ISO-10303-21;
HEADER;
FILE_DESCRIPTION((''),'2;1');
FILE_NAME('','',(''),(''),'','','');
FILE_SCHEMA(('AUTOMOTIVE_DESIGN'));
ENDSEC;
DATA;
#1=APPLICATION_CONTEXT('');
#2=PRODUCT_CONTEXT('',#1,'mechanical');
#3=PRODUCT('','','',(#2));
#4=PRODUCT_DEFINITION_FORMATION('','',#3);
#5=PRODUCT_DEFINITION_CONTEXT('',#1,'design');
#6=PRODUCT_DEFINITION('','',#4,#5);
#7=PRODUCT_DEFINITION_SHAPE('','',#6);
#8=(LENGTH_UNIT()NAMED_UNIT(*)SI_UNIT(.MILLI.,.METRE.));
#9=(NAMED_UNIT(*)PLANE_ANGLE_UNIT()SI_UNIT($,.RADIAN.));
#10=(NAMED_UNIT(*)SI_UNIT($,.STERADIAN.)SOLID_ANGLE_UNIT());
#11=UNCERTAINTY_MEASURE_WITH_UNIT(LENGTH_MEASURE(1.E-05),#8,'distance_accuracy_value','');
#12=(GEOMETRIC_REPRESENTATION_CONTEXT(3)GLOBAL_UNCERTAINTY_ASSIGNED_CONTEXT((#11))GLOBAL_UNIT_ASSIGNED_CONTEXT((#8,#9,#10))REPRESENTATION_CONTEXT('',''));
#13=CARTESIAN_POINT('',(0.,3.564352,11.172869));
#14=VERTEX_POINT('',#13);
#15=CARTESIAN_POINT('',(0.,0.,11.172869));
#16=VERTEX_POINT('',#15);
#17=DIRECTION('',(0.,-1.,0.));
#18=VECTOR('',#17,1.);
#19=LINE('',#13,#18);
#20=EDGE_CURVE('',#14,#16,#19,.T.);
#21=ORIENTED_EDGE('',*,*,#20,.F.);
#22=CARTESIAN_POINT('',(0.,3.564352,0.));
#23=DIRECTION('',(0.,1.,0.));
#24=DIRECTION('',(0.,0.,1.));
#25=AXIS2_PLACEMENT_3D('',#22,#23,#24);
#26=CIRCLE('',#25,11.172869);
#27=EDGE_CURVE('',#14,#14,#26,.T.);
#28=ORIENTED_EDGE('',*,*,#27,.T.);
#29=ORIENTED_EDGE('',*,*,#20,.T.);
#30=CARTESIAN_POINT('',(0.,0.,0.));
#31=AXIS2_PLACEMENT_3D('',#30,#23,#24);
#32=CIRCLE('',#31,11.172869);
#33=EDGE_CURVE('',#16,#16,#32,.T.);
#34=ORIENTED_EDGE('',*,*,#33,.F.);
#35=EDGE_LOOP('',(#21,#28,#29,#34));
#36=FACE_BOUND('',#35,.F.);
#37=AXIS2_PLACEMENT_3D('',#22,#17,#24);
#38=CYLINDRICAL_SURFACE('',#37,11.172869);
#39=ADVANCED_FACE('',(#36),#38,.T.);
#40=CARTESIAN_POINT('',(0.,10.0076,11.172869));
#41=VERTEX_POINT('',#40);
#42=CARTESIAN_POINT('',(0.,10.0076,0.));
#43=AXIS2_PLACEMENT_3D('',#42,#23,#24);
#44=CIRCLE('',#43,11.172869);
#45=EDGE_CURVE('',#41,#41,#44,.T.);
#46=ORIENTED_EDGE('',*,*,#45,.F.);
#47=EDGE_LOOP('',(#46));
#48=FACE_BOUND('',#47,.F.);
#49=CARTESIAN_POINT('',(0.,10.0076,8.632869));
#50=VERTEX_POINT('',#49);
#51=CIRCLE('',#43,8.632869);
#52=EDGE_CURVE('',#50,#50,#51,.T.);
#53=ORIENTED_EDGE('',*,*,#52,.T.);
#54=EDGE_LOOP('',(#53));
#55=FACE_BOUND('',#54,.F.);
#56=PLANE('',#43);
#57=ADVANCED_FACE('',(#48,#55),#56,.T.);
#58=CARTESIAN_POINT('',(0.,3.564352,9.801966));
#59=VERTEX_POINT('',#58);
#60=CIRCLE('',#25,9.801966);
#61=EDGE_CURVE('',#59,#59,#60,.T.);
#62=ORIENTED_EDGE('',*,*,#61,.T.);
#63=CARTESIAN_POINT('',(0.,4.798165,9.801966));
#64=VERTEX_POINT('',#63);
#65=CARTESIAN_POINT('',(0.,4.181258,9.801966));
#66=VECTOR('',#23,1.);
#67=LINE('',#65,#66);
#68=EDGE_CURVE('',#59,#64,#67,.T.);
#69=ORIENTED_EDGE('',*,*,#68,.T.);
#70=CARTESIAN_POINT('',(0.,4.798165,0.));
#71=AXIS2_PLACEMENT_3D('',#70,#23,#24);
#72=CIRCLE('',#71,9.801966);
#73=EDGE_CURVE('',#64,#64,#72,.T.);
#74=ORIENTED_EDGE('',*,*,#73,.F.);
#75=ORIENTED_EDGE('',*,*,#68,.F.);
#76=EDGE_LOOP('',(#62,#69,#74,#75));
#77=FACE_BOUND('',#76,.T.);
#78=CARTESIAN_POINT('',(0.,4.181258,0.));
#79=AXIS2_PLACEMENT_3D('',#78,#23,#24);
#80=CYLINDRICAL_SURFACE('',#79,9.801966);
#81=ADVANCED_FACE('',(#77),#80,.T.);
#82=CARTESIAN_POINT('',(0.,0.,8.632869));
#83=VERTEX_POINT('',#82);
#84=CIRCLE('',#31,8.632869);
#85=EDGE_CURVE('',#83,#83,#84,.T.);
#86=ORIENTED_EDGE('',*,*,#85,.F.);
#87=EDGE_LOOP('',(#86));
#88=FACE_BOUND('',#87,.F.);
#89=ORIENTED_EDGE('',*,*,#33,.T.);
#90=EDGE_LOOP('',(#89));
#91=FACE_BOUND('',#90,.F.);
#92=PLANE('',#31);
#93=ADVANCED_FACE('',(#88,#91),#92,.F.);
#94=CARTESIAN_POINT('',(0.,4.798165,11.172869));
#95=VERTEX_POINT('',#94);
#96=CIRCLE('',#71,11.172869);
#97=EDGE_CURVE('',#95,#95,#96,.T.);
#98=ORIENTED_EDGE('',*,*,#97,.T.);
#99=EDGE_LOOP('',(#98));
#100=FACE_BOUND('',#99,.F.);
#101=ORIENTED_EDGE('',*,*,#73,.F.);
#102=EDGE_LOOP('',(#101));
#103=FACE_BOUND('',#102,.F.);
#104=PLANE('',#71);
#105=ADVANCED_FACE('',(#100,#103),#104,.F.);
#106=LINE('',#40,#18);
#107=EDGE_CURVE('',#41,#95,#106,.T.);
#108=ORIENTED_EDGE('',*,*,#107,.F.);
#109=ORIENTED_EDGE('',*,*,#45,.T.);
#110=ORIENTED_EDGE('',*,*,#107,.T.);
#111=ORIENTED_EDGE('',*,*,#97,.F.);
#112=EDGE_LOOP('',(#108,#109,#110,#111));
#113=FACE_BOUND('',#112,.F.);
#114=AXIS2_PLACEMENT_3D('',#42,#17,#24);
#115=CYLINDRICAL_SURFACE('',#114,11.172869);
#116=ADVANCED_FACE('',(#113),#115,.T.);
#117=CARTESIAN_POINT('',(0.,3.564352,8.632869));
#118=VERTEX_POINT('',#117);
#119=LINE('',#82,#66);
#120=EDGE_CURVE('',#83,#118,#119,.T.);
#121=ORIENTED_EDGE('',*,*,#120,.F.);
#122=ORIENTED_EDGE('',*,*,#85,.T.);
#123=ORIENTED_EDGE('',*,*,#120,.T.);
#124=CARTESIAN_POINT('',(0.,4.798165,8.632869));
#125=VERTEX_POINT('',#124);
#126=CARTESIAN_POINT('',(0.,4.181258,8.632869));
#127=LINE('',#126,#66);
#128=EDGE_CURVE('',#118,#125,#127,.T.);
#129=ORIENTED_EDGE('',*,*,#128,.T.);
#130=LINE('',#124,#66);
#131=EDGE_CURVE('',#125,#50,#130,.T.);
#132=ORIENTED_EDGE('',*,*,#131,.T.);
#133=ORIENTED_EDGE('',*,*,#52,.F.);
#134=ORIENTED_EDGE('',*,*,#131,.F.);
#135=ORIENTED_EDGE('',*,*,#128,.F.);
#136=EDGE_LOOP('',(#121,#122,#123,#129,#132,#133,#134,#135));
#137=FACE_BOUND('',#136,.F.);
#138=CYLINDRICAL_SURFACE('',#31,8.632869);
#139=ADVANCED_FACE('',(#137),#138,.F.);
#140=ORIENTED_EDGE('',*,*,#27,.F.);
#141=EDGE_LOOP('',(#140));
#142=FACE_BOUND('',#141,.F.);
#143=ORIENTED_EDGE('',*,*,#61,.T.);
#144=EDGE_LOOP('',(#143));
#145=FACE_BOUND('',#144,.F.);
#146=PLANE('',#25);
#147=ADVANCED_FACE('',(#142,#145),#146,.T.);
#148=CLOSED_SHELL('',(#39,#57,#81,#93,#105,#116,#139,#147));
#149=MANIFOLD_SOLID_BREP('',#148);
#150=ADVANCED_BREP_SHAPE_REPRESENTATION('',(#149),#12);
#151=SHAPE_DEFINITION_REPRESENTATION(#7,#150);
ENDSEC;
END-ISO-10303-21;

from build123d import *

# Parameters (mm, degrees)
F0_W = 1.2338133566
F0_H = 1.1690965625


with BuildPart() as f1:
    # F0 (on Right) → F1 (revolve)
    with BuildSketch(Plane.YZ):
        Polygon((0, 11.1728689732), (0, 8.6328689732), (3.564351741, 8.6328689732), (3.564351741, 9.8019655357), (3.564351741, 11.1728689732), align=None)
        with Locations((4.1812584193, 9.2174172544)):
            Rectangle(F0_W, F0_H)
        Polygon((4.7981650976, 9.8019655357), (4.7981650976, 8.6328689732), (10.0076, 8.6328689732), (10.0076, 11.1728689732), (4.7981650976, 11.1728689732), align=None)
    revolve(axis=Axis((0, 5.2644882008, 0), (0, 1, 0)))


solid = f1.part
